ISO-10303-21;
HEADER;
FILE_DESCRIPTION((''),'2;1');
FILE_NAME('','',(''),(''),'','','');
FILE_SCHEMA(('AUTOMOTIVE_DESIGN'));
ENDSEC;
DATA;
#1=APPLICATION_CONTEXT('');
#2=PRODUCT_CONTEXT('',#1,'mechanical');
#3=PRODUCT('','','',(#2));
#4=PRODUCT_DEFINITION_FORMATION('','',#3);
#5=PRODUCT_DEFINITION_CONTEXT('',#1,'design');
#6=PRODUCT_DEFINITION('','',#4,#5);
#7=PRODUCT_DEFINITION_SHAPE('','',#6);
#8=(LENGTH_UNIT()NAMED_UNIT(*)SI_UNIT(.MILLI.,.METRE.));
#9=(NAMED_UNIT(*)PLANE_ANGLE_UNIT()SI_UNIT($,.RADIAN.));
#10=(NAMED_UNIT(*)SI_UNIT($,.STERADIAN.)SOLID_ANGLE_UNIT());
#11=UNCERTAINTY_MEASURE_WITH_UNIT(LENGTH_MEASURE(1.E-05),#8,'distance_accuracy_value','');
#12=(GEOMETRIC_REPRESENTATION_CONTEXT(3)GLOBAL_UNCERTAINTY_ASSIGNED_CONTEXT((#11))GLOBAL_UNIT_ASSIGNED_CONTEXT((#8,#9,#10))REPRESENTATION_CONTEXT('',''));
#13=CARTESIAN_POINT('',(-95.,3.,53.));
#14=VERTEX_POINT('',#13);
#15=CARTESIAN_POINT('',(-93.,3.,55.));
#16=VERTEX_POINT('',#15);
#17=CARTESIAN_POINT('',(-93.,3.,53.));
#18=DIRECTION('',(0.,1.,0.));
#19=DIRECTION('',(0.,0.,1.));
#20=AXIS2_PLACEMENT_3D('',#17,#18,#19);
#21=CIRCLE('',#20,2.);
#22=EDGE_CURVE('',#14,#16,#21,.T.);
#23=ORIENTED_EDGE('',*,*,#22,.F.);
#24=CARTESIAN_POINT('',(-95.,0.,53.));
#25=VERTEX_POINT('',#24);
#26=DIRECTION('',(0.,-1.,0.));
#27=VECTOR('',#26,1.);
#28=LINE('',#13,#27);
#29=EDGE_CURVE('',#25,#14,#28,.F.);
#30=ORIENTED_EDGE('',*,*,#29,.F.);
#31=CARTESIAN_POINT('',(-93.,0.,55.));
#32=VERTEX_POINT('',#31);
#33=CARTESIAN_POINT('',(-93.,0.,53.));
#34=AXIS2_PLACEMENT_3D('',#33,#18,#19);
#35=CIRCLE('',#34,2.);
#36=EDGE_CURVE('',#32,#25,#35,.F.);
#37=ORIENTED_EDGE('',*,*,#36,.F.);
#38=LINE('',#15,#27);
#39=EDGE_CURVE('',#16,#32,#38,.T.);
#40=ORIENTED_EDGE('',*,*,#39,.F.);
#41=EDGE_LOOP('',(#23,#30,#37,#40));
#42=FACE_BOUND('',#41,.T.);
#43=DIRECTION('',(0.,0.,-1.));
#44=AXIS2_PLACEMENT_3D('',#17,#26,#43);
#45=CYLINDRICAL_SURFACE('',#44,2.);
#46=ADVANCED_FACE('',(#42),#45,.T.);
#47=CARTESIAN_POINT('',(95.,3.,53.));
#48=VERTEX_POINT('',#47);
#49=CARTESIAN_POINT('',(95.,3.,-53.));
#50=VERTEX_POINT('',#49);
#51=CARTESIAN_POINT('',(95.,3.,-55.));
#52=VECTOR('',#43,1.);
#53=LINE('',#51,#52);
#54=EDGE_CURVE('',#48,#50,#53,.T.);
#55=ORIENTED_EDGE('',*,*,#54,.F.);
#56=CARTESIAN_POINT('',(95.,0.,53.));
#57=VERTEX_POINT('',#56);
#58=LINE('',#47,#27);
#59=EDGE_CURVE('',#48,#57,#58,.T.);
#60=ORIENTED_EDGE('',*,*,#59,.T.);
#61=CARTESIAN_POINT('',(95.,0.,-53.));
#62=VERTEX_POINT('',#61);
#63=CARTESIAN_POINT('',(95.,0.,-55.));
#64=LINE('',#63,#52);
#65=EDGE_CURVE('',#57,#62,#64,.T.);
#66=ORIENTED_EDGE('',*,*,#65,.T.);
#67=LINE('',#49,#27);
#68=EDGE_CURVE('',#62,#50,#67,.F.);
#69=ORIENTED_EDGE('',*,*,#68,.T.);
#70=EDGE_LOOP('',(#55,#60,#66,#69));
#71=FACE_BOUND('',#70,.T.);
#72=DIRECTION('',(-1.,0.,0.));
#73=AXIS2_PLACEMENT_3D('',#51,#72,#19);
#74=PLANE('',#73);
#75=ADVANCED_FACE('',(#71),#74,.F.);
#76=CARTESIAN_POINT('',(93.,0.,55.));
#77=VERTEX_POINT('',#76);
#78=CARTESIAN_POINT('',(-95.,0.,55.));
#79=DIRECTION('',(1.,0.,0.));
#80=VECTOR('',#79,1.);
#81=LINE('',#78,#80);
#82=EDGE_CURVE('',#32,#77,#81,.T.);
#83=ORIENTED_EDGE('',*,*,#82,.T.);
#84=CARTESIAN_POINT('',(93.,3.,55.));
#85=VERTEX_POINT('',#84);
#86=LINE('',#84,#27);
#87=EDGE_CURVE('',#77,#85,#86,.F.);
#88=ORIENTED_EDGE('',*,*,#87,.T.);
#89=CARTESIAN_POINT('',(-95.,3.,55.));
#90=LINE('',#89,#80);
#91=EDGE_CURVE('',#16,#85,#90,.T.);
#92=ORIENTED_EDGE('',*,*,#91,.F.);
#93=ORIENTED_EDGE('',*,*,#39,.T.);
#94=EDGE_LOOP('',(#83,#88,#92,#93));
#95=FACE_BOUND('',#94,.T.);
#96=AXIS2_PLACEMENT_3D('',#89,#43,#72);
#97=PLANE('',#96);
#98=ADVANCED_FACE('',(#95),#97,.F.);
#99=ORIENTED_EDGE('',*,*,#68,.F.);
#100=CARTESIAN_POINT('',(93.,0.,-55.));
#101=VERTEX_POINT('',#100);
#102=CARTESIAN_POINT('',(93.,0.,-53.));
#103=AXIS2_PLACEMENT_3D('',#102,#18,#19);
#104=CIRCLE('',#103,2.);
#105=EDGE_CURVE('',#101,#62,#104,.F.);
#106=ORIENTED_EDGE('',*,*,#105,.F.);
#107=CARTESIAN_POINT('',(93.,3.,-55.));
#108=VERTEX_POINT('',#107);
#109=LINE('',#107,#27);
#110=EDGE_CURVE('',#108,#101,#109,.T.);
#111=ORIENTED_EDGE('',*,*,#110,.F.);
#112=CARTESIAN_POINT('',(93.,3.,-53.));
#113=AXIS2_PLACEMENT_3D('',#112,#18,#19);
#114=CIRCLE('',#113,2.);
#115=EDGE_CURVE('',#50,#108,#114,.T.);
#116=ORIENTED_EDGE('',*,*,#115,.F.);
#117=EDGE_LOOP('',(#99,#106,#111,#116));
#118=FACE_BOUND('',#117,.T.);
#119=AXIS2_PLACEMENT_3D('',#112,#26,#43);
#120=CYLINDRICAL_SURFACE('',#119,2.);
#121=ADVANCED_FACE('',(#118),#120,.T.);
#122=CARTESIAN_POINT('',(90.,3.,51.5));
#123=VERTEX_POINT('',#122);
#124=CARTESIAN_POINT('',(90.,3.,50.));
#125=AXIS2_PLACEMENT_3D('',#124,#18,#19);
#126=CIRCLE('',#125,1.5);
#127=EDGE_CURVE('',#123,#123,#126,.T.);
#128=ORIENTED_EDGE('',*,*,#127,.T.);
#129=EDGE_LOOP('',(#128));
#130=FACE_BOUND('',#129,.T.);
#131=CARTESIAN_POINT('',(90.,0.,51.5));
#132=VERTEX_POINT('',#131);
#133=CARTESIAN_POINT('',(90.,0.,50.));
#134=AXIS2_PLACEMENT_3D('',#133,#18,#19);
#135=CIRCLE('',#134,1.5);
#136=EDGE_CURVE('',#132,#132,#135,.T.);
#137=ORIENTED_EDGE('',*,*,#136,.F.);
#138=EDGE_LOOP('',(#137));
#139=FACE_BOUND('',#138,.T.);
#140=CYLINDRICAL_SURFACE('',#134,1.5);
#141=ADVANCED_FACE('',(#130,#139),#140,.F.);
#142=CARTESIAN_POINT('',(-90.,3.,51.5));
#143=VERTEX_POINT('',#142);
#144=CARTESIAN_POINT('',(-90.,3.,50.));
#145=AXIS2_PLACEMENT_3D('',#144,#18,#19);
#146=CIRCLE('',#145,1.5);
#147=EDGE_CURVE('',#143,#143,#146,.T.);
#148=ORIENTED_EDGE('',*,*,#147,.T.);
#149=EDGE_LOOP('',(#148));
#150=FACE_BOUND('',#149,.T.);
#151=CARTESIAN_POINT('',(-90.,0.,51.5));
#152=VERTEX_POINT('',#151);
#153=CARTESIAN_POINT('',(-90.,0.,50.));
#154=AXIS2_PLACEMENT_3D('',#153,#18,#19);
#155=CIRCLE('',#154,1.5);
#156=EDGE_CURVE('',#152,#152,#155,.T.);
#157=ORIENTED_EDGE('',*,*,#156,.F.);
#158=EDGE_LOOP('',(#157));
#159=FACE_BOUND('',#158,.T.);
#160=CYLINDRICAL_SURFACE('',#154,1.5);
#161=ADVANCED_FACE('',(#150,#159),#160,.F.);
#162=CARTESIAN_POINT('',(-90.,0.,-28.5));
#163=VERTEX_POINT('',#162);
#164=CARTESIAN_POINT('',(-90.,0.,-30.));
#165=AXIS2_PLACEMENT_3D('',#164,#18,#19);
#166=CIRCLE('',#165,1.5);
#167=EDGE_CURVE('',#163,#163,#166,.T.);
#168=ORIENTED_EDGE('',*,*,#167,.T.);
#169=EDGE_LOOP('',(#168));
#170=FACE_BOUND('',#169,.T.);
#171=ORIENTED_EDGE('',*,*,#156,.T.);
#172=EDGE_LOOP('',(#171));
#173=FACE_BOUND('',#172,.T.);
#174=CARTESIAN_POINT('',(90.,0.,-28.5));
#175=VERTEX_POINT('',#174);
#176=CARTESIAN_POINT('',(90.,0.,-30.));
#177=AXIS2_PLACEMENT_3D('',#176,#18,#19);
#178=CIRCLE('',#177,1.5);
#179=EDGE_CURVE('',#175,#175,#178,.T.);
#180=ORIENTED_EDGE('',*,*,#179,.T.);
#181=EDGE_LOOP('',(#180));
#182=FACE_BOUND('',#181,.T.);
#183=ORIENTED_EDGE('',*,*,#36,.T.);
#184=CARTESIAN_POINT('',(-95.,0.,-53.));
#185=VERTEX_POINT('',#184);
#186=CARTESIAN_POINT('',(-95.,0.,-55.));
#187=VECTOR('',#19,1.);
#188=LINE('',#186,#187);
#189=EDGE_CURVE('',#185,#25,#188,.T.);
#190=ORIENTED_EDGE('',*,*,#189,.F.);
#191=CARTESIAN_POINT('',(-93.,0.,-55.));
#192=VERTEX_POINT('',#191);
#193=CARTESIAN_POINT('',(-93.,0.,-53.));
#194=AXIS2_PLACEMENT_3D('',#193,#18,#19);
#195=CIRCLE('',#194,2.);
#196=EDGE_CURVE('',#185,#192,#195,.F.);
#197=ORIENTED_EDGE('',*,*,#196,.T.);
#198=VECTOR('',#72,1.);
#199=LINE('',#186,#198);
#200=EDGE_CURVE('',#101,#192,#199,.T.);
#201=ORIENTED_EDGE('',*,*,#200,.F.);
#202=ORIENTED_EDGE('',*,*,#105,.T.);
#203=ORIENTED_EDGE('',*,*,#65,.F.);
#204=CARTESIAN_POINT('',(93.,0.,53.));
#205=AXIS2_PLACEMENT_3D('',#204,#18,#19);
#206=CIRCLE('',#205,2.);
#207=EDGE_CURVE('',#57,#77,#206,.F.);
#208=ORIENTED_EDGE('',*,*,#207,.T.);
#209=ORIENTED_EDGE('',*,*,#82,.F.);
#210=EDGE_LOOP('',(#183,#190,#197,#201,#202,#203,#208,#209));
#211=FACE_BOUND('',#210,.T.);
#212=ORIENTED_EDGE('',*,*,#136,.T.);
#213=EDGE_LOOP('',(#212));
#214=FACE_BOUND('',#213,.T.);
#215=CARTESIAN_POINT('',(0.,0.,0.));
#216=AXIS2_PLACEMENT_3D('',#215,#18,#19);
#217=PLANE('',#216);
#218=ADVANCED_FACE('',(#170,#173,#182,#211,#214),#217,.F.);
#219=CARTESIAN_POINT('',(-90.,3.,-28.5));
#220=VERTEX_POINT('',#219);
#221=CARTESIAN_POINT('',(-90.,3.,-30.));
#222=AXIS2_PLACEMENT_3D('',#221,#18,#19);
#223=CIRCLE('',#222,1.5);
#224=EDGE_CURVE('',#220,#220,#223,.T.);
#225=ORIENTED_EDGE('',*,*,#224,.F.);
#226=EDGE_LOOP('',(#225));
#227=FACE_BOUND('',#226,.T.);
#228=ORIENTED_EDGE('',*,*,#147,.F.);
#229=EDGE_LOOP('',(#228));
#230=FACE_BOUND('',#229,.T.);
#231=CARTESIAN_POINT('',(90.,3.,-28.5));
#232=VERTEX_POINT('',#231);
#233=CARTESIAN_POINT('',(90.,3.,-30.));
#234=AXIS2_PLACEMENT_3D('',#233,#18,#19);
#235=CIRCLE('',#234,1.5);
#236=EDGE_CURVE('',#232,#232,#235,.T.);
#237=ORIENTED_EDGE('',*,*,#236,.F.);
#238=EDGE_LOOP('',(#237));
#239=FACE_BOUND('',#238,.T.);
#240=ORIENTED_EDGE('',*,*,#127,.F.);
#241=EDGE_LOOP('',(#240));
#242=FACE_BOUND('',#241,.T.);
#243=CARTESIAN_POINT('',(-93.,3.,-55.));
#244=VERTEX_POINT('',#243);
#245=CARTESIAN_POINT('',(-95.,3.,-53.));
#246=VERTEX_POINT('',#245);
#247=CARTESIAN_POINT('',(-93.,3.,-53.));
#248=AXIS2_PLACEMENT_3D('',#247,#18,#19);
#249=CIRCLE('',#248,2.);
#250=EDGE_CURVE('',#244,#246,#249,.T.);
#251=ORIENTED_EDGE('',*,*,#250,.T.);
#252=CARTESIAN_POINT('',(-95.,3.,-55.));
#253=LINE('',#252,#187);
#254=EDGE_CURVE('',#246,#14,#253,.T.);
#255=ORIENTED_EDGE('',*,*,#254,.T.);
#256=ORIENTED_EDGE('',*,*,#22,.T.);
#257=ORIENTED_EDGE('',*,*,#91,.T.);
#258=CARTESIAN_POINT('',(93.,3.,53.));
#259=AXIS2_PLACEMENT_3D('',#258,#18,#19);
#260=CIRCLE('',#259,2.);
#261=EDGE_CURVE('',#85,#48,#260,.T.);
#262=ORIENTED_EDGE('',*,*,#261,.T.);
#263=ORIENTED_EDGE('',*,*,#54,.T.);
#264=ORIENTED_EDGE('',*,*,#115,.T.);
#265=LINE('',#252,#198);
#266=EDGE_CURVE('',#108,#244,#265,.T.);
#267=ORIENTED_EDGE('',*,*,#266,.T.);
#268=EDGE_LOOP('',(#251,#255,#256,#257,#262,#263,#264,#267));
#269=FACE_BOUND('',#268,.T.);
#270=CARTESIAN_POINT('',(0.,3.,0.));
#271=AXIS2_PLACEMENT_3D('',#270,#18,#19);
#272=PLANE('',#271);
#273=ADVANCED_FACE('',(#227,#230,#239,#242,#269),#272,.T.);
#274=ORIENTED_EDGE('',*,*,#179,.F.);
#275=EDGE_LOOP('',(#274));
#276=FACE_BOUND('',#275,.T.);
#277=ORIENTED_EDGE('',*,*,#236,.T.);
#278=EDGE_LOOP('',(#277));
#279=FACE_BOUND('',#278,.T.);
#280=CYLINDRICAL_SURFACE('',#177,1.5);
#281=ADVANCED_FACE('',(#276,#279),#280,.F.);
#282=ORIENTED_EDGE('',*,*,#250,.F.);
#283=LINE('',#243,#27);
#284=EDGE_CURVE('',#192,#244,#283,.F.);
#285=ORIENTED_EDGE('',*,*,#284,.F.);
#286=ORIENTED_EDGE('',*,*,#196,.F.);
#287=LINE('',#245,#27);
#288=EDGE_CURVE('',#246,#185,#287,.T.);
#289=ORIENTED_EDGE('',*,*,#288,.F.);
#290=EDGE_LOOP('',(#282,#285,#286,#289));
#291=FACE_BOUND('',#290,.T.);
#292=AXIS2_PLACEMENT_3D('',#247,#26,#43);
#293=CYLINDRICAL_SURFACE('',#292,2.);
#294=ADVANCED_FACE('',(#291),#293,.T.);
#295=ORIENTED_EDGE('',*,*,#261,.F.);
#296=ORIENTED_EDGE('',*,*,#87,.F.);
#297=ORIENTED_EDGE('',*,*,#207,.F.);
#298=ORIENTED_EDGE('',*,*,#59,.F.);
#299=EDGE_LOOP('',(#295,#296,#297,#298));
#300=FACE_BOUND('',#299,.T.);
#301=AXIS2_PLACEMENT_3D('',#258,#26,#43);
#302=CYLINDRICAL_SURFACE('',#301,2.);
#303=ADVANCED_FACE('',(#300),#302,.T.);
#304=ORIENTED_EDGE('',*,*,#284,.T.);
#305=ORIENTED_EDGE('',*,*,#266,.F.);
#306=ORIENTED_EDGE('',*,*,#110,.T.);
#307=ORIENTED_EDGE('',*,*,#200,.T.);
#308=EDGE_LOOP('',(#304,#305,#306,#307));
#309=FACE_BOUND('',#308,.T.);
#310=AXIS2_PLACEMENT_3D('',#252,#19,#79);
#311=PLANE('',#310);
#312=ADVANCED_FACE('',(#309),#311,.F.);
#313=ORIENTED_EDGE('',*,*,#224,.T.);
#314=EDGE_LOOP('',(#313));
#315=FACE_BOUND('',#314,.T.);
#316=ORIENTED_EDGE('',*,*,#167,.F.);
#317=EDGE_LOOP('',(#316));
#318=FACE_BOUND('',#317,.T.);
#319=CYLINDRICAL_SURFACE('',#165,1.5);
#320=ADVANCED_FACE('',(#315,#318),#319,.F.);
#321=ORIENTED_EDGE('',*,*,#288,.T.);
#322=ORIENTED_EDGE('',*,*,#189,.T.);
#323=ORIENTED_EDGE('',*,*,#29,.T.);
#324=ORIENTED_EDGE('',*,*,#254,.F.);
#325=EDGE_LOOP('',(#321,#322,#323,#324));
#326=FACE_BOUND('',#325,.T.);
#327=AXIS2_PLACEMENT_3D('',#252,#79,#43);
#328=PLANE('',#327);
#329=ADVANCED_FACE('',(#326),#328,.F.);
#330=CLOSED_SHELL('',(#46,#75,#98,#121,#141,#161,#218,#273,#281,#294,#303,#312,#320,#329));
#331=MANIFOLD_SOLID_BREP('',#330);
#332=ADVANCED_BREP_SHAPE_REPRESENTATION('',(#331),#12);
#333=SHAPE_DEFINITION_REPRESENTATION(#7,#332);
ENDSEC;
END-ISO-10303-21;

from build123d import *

# Parameters (mm, degrees)
SKETCH1_W           = 190
SKETCH1_H           = 110
BOSS_EXTRUDE1_DEPTH = 3
SKETCH2_R           = 1.5
CUT_EXTRUDE1_DEPTH  = 110.813478226
FILLET1_R           = 2


with BuildPart() as part:
    # Sketch1 → Boss-Extrude1 (new body)
    with BuildSketch(Plane(origin=(0, 0, 0), x_dir=(1, 0, 0), z_dir=(0, 1, 0))):
        Rectangle(SKETCH1_W, SKETCH1_H)
    extrude(amount=BOSS_EXTRUDE1_DEPTH)

    # Sketch2 → Cut-Extrude1 (cut, through all)
    with BuildSketch(Plane(origin=(0, 3, 0), x_dir=(1, 0, 0), z_dir=(0, 1, 0))):
        with Locations(Location((-90, -50, 0), (0, 0, 270))):
            Circle(SKETCH2_R)
        with Locations(Location((-90, 30, 0), (0, 0, 270))):
            Circle(SKETCH2_R)
        with Locations(Location((90, 30, 0), (0, 0, 270))):
            Circle(SKETCH2_R)
        with Locations(Location((90, -50, 0), (0, 0, 270))):
            Circle(SKETCH2_R)
    extrude(amount=-CUT_EXTRUDE1_DEPTH, mode=Mode.SUBTRACT)

    # Fillet1
    fillet1_edges = [part.edges().sort_by_distance(p)[0] for p in [
        (-95, 1.5, -55),
        (95, 1.5, -55),
        (95, 1.5, 55),
        (-95, 1.5, 55),
    ]]
    fillet(fillet1_edges, radius=FILLET1_R)


solid = part.part
